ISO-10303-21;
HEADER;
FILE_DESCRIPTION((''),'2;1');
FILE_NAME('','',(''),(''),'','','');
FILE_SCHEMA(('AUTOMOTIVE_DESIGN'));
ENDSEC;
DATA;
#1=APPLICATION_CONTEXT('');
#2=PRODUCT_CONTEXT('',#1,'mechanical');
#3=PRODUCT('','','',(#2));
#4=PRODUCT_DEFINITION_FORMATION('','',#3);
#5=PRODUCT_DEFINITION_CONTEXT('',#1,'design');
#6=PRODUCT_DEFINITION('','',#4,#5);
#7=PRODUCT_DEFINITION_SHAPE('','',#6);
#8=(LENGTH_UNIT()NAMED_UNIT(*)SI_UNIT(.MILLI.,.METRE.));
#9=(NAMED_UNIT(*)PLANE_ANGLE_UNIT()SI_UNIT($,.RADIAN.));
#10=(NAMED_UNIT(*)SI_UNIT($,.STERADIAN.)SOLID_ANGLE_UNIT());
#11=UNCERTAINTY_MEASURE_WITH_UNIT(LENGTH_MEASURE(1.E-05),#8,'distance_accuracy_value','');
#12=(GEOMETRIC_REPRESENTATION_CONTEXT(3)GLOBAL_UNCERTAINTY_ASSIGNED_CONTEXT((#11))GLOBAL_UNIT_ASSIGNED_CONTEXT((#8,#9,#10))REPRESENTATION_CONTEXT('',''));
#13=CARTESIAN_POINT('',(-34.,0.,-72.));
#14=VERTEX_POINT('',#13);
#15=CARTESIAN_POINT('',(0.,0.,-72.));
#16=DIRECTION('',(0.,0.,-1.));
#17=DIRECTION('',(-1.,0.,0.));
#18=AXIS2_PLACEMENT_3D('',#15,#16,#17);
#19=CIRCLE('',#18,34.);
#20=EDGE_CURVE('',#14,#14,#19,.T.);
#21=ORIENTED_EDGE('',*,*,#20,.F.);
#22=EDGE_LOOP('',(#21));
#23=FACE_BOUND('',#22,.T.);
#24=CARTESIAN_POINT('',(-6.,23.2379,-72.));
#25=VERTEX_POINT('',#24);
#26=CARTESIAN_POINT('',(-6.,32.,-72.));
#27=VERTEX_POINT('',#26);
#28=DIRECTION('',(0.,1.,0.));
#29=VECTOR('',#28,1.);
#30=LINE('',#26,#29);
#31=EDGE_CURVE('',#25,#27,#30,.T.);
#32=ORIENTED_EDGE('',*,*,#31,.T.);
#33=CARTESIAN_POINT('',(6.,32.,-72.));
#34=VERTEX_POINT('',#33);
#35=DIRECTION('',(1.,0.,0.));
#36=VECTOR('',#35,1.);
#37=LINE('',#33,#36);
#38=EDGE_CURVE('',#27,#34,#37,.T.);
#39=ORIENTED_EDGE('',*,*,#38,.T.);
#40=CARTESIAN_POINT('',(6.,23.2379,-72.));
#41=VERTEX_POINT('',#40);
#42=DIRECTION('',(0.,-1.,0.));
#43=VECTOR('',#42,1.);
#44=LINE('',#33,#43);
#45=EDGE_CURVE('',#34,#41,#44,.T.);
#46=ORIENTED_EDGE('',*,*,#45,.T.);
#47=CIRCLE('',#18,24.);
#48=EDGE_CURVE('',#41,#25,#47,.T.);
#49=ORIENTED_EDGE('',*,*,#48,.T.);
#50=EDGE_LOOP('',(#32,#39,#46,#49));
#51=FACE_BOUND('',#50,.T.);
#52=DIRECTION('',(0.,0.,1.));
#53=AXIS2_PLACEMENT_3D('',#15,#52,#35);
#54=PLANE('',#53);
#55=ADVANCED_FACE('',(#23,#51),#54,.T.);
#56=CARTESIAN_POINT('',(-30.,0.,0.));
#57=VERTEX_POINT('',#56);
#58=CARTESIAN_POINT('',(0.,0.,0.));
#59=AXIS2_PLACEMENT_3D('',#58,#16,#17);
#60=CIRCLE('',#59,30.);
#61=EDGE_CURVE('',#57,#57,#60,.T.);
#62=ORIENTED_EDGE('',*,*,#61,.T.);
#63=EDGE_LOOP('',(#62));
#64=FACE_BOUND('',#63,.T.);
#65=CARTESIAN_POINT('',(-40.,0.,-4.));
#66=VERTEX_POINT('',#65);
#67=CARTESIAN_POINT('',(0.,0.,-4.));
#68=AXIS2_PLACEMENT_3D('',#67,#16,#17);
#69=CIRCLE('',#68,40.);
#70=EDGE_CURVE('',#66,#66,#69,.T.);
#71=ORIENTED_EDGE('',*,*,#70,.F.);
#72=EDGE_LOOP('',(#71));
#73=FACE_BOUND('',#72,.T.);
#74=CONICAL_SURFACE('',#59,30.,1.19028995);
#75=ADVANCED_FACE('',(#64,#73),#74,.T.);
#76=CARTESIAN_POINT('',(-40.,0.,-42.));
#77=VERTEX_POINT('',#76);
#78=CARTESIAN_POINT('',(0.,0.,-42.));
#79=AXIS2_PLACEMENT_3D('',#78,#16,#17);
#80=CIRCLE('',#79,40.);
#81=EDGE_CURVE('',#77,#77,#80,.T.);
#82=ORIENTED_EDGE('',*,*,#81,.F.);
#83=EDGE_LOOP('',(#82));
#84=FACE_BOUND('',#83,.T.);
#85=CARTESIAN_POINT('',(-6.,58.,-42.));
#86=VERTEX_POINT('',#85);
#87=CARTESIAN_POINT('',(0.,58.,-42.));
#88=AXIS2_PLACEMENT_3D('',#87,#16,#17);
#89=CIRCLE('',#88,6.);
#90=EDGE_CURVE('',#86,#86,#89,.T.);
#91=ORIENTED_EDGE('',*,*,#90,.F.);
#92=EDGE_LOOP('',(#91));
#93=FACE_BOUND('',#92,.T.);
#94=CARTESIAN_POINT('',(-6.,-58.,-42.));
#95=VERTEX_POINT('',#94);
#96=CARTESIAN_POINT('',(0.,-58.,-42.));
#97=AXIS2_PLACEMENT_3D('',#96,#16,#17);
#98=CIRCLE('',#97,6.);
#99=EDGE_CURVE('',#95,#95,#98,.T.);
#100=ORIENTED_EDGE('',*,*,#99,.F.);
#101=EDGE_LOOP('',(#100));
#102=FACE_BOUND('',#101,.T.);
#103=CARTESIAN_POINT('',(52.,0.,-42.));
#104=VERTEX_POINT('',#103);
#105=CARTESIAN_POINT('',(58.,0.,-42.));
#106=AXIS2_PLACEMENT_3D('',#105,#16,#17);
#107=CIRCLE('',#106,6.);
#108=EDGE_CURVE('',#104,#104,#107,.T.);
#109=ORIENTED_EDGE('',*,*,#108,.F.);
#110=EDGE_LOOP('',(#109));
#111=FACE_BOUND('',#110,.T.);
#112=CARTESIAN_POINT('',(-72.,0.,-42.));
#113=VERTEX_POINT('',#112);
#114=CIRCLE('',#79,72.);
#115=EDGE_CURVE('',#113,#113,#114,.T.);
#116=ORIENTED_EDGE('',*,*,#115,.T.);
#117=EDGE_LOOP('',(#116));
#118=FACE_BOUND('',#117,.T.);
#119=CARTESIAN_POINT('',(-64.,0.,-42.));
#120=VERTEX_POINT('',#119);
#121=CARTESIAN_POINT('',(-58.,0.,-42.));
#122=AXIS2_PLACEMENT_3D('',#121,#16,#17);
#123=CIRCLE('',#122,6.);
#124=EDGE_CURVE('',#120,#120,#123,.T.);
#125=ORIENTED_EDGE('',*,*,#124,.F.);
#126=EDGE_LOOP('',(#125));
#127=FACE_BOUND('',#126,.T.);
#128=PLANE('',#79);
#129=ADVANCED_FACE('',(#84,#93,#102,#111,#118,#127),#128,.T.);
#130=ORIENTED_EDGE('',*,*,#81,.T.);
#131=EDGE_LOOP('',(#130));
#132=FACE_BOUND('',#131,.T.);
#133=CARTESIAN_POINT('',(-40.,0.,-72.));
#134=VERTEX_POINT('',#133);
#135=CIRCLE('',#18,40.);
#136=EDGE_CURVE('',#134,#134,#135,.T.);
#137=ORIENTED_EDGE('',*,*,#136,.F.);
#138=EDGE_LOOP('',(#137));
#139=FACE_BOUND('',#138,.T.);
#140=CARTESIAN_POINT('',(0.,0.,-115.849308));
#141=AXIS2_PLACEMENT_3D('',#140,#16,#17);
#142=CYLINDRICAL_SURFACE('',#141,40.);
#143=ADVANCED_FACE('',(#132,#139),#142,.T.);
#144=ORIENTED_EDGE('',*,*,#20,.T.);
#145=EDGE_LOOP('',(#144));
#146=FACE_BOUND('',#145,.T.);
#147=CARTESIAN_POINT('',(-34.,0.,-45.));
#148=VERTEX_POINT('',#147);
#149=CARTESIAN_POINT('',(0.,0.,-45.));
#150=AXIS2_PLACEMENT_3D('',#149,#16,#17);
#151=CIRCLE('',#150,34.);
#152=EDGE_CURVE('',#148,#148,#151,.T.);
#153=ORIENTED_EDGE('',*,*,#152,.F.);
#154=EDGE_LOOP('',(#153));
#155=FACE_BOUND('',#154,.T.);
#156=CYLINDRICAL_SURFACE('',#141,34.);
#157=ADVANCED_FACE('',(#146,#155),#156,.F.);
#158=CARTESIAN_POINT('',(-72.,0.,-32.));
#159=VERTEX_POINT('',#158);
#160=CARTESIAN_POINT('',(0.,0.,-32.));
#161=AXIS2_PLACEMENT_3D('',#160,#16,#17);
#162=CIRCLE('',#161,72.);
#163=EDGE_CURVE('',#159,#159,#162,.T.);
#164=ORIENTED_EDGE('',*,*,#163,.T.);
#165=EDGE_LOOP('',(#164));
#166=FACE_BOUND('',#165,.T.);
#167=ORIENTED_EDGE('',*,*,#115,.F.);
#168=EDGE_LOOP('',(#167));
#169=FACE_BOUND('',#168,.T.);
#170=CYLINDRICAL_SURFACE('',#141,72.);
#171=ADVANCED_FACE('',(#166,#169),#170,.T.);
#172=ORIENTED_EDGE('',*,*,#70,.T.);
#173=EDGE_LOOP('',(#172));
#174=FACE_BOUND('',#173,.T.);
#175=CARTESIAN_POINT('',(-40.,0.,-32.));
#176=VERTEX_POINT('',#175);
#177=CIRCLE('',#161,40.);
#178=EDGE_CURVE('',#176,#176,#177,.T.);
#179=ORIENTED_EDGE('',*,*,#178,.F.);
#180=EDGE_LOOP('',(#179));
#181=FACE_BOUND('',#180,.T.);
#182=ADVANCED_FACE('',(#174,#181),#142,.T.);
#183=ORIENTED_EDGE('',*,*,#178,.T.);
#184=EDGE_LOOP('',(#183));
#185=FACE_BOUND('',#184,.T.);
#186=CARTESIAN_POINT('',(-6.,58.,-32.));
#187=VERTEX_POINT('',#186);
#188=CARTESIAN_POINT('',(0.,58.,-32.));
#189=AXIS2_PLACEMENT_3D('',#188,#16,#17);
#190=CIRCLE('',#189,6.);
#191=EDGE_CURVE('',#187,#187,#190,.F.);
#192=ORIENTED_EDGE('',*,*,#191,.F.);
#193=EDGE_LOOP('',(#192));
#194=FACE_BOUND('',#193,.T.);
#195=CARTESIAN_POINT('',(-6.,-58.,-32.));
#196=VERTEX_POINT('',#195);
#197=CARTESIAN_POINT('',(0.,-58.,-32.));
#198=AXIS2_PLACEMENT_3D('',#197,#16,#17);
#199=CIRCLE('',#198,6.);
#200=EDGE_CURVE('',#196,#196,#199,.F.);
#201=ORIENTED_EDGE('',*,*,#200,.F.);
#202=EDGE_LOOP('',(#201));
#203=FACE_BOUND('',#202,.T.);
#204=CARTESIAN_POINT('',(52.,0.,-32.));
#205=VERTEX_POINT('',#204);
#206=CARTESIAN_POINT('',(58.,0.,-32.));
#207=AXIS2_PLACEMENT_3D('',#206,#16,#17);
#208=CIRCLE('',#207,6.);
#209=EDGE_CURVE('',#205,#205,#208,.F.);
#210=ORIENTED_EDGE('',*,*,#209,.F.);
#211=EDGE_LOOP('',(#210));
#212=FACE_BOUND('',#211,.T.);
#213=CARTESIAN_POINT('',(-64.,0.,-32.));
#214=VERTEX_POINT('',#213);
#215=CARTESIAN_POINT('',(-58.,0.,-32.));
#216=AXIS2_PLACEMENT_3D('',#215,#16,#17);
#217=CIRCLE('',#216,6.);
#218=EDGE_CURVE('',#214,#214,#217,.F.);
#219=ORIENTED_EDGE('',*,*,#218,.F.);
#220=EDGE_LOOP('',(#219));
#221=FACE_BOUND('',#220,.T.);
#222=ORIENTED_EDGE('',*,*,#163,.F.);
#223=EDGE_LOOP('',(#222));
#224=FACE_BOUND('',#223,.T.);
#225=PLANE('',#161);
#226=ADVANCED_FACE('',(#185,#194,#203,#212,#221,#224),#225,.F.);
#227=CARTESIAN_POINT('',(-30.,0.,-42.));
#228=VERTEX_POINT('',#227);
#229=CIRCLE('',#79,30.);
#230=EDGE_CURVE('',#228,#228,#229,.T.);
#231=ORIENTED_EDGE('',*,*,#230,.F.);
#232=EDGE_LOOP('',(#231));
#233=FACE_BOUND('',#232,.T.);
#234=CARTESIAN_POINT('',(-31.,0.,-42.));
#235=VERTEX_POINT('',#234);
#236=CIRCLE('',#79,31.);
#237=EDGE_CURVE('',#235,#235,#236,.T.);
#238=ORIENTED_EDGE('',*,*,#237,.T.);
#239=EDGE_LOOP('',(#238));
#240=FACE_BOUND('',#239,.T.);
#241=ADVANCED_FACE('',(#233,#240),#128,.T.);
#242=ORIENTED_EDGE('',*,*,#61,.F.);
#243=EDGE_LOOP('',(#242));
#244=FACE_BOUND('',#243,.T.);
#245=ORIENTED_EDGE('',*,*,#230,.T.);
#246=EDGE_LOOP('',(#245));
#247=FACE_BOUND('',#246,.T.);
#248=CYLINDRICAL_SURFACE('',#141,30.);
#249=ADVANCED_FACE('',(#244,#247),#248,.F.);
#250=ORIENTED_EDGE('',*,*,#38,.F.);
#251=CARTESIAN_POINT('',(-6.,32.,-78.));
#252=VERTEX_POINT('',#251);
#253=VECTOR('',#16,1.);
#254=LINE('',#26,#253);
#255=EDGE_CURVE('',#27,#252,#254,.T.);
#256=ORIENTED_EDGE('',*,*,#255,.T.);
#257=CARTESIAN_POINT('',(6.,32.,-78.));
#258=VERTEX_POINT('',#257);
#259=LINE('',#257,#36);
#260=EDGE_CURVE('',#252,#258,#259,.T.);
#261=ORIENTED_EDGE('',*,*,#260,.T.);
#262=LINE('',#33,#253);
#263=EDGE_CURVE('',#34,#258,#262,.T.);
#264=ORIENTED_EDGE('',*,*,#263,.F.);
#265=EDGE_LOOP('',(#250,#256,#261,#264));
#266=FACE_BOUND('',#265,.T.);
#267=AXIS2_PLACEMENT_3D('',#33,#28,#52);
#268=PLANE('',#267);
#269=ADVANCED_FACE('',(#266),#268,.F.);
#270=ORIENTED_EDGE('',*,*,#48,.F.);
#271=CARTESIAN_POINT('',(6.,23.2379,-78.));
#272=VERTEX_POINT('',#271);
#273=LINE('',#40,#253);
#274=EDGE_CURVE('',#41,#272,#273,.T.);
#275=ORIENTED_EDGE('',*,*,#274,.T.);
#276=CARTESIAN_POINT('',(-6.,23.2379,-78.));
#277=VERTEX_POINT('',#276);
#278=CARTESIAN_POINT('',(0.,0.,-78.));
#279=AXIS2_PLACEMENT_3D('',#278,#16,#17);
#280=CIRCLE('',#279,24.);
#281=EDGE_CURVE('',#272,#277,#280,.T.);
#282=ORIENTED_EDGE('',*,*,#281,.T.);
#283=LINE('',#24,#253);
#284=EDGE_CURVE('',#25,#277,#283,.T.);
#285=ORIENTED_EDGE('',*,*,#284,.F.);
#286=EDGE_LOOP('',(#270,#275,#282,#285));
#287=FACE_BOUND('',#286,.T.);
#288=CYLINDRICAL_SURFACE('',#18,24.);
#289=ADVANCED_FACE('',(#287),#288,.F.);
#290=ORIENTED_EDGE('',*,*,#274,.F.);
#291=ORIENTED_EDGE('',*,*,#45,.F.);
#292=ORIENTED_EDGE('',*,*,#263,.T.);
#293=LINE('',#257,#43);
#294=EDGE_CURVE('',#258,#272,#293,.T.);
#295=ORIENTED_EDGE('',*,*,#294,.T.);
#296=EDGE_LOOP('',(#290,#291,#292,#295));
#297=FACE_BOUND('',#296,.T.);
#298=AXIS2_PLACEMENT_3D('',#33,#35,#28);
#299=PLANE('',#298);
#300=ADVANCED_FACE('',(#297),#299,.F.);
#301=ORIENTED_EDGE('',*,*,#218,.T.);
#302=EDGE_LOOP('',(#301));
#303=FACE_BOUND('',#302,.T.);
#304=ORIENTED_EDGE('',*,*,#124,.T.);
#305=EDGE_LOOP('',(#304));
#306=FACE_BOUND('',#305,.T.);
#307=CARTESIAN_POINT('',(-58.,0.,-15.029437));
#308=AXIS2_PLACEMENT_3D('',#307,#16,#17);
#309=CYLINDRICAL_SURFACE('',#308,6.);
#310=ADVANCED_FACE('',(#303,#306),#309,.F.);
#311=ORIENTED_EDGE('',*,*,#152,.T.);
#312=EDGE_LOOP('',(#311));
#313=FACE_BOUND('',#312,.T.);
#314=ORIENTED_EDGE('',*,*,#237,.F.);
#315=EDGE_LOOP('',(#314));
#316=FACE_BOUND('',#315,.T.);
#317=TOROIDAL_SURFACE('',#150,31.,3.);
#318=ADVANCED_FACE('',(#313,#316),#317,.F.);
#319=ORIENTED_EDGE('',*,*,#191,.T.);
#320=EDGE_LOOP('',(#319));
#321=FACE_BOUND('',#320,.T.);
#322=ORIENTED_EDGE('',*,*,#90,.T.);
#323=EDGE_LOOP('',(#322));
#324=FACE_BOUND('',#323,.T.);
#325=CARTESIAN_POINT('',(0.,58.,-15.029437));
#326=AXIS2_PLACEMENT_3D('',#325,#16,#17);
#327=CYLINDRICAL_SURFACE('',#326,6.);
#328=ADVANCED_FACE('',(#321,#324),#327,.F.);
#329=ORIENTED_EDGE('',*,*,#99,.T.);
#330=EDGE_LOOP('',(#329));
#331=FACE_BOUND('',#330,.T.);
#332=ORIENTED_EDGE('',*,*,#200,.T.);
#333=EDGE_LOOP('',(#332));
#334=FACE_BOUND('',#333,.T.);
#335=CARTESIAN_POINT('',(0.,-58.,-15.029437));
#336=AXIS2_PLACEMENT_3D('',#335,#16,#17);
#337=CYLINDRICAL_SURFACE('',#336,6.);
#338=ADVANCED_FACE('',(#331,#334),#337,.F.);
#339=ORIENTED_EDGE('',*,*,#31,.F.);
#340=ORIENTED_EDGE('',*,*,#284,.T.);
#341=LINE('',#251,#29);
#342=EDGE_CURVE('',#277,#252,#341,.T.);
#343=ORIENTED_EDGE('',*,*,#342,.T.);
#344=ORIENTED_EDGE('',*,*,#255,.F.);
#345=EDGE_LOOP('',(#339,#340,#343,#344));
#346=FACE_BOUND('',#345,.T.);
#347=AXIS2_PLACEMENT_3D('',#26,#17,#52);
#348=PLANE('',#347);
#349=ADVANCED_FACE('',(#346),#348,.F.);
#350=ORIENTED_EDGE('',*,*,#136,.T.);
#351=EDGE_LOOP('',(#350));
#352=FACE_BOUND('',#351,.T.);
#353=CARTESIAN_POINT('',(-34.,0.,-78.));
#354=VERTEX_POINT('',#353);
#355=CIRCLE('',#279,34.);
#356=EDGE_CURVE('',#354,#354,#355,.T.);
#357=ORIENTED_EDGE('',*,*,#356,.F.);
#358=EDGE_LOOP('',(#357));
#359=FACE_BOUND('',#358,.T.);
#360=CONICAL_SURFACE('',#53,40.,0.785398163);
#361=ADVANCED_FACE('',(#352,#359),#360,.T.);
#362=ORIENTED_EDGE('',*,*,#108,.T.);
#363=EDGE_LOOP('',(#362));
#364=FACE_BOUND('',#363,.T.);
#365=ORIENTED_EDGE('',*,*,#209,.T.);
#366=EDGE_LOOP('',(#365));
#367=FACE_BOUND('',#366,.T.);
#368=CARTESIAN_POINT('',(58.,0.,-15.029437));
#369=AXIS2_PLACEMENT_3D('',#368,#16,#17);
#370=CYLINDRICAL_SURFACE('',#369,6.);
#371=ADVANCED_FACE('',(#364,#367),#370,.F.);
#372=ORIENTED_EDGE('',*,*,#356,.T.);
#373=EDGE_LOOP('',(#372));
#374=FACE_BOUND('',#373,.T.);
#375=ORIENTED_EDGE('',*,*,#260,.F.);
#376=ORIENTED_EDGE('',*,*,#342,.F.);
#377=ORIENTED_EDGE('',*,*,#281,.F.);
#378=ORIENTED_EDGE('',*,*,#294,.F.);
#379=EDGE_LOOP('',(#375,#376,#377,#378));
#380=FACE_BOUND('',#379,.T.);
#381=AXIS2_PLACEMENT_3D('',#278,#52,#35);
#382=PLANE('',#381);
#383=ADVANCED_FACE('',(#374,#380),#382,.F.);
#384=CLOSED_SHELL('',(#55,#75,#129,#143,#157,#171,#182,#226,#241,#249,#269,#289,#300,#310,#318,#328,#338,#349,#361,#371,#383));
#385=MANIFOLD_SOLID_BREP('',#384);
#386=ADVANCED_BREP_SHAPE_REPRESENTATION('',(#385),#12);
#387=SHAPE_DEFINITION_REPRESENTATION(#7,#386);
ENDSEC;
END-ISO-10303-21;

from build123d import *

# Parameters (mm, degrees)
SKETCH2_R          = 6
CUT_EXTRUDE1_DEPTH = 10
CUT_EXTRUDE2_DEPTH = 6


with BuildPart() as part:
    # Sketch1 → Revolve2 (revolve)
    with BuildSketch(Plane(origin=(0, 0, 0), x_dir=(1, 0, 0), z_dir=(0, 1, 0)), mode=Mode.PRIVATE) as revolve2_sk:
        with BuildLine():
            ThreePointArc((31, 42), (33.121320344, 42.878679656), (34, 45))
            Line((34, 45), (34, 72))
            Line((34, 72), (0, 72))
            Line((0, 72), (0, 78))
            Line((0, 78), (34, 78))
            Line((34, 78), (40, 72))
            Line((40, 72), (40, 42))
            Line((40, 42), (72, 42))
            Line((72, 42), (72, 32))
            Line((72, 32), (40, 32))
            Line((40, 32), (40, 4))
            Line((40, 4), (30, 0))
            Line((30, 0), (30, 42))
            Line((30, 42), (31, 42))
        make_face()
    revolve(revolve2_sk.sketch.rotate(Axis((0, 0, -115.849307743), (0, 0, 1)), 180), axis=Axis((0, 0, -115.849307743), (0, 0, 1)))

    # Sketch2 → Cut-Extrude1 (cut)
    with BuildSketch(Plane(origin=(0, 0, -42), x_dir=(-1, 0, 0), z_dir=(0, 0, -1))):
        with Locations((58, 0)):
            Circle(SKETCH2_R)
        with Locations((0, -58)):
            Circle(SKETCH2_R)
        with Locations((-58, 0)):
            Circle(SKETCH2_R)
        with Locations((0, 58)):
            Circle(SKETCH2_R)
    extrude(amount=-CUT_EXTRUDE1_DEPTH, mode=Mode.SUBTRACT)

    # Sketch3 → Cut-Extrude2 (cut)
    with BuildSketch(Plane(origin=(0, 0, -78), x_dir=(-1, 0, 0), z_dir=(0, 0, -1))):
        with BuildLine():
            Line((-6, 32), (6, 32))
            Line((6, 32), (6, 23.237900077))
            ThreePointArc((6, 23.237900077), (0, -24), (-6, 23.237900077))
            Line((-6, 23.237900077), (-6, 32))
        make_face()
    extrude(amount=-CUT_EXTRUDE2_DEPTH, mode=Mode.SUBTRACT)


solid = part.part
